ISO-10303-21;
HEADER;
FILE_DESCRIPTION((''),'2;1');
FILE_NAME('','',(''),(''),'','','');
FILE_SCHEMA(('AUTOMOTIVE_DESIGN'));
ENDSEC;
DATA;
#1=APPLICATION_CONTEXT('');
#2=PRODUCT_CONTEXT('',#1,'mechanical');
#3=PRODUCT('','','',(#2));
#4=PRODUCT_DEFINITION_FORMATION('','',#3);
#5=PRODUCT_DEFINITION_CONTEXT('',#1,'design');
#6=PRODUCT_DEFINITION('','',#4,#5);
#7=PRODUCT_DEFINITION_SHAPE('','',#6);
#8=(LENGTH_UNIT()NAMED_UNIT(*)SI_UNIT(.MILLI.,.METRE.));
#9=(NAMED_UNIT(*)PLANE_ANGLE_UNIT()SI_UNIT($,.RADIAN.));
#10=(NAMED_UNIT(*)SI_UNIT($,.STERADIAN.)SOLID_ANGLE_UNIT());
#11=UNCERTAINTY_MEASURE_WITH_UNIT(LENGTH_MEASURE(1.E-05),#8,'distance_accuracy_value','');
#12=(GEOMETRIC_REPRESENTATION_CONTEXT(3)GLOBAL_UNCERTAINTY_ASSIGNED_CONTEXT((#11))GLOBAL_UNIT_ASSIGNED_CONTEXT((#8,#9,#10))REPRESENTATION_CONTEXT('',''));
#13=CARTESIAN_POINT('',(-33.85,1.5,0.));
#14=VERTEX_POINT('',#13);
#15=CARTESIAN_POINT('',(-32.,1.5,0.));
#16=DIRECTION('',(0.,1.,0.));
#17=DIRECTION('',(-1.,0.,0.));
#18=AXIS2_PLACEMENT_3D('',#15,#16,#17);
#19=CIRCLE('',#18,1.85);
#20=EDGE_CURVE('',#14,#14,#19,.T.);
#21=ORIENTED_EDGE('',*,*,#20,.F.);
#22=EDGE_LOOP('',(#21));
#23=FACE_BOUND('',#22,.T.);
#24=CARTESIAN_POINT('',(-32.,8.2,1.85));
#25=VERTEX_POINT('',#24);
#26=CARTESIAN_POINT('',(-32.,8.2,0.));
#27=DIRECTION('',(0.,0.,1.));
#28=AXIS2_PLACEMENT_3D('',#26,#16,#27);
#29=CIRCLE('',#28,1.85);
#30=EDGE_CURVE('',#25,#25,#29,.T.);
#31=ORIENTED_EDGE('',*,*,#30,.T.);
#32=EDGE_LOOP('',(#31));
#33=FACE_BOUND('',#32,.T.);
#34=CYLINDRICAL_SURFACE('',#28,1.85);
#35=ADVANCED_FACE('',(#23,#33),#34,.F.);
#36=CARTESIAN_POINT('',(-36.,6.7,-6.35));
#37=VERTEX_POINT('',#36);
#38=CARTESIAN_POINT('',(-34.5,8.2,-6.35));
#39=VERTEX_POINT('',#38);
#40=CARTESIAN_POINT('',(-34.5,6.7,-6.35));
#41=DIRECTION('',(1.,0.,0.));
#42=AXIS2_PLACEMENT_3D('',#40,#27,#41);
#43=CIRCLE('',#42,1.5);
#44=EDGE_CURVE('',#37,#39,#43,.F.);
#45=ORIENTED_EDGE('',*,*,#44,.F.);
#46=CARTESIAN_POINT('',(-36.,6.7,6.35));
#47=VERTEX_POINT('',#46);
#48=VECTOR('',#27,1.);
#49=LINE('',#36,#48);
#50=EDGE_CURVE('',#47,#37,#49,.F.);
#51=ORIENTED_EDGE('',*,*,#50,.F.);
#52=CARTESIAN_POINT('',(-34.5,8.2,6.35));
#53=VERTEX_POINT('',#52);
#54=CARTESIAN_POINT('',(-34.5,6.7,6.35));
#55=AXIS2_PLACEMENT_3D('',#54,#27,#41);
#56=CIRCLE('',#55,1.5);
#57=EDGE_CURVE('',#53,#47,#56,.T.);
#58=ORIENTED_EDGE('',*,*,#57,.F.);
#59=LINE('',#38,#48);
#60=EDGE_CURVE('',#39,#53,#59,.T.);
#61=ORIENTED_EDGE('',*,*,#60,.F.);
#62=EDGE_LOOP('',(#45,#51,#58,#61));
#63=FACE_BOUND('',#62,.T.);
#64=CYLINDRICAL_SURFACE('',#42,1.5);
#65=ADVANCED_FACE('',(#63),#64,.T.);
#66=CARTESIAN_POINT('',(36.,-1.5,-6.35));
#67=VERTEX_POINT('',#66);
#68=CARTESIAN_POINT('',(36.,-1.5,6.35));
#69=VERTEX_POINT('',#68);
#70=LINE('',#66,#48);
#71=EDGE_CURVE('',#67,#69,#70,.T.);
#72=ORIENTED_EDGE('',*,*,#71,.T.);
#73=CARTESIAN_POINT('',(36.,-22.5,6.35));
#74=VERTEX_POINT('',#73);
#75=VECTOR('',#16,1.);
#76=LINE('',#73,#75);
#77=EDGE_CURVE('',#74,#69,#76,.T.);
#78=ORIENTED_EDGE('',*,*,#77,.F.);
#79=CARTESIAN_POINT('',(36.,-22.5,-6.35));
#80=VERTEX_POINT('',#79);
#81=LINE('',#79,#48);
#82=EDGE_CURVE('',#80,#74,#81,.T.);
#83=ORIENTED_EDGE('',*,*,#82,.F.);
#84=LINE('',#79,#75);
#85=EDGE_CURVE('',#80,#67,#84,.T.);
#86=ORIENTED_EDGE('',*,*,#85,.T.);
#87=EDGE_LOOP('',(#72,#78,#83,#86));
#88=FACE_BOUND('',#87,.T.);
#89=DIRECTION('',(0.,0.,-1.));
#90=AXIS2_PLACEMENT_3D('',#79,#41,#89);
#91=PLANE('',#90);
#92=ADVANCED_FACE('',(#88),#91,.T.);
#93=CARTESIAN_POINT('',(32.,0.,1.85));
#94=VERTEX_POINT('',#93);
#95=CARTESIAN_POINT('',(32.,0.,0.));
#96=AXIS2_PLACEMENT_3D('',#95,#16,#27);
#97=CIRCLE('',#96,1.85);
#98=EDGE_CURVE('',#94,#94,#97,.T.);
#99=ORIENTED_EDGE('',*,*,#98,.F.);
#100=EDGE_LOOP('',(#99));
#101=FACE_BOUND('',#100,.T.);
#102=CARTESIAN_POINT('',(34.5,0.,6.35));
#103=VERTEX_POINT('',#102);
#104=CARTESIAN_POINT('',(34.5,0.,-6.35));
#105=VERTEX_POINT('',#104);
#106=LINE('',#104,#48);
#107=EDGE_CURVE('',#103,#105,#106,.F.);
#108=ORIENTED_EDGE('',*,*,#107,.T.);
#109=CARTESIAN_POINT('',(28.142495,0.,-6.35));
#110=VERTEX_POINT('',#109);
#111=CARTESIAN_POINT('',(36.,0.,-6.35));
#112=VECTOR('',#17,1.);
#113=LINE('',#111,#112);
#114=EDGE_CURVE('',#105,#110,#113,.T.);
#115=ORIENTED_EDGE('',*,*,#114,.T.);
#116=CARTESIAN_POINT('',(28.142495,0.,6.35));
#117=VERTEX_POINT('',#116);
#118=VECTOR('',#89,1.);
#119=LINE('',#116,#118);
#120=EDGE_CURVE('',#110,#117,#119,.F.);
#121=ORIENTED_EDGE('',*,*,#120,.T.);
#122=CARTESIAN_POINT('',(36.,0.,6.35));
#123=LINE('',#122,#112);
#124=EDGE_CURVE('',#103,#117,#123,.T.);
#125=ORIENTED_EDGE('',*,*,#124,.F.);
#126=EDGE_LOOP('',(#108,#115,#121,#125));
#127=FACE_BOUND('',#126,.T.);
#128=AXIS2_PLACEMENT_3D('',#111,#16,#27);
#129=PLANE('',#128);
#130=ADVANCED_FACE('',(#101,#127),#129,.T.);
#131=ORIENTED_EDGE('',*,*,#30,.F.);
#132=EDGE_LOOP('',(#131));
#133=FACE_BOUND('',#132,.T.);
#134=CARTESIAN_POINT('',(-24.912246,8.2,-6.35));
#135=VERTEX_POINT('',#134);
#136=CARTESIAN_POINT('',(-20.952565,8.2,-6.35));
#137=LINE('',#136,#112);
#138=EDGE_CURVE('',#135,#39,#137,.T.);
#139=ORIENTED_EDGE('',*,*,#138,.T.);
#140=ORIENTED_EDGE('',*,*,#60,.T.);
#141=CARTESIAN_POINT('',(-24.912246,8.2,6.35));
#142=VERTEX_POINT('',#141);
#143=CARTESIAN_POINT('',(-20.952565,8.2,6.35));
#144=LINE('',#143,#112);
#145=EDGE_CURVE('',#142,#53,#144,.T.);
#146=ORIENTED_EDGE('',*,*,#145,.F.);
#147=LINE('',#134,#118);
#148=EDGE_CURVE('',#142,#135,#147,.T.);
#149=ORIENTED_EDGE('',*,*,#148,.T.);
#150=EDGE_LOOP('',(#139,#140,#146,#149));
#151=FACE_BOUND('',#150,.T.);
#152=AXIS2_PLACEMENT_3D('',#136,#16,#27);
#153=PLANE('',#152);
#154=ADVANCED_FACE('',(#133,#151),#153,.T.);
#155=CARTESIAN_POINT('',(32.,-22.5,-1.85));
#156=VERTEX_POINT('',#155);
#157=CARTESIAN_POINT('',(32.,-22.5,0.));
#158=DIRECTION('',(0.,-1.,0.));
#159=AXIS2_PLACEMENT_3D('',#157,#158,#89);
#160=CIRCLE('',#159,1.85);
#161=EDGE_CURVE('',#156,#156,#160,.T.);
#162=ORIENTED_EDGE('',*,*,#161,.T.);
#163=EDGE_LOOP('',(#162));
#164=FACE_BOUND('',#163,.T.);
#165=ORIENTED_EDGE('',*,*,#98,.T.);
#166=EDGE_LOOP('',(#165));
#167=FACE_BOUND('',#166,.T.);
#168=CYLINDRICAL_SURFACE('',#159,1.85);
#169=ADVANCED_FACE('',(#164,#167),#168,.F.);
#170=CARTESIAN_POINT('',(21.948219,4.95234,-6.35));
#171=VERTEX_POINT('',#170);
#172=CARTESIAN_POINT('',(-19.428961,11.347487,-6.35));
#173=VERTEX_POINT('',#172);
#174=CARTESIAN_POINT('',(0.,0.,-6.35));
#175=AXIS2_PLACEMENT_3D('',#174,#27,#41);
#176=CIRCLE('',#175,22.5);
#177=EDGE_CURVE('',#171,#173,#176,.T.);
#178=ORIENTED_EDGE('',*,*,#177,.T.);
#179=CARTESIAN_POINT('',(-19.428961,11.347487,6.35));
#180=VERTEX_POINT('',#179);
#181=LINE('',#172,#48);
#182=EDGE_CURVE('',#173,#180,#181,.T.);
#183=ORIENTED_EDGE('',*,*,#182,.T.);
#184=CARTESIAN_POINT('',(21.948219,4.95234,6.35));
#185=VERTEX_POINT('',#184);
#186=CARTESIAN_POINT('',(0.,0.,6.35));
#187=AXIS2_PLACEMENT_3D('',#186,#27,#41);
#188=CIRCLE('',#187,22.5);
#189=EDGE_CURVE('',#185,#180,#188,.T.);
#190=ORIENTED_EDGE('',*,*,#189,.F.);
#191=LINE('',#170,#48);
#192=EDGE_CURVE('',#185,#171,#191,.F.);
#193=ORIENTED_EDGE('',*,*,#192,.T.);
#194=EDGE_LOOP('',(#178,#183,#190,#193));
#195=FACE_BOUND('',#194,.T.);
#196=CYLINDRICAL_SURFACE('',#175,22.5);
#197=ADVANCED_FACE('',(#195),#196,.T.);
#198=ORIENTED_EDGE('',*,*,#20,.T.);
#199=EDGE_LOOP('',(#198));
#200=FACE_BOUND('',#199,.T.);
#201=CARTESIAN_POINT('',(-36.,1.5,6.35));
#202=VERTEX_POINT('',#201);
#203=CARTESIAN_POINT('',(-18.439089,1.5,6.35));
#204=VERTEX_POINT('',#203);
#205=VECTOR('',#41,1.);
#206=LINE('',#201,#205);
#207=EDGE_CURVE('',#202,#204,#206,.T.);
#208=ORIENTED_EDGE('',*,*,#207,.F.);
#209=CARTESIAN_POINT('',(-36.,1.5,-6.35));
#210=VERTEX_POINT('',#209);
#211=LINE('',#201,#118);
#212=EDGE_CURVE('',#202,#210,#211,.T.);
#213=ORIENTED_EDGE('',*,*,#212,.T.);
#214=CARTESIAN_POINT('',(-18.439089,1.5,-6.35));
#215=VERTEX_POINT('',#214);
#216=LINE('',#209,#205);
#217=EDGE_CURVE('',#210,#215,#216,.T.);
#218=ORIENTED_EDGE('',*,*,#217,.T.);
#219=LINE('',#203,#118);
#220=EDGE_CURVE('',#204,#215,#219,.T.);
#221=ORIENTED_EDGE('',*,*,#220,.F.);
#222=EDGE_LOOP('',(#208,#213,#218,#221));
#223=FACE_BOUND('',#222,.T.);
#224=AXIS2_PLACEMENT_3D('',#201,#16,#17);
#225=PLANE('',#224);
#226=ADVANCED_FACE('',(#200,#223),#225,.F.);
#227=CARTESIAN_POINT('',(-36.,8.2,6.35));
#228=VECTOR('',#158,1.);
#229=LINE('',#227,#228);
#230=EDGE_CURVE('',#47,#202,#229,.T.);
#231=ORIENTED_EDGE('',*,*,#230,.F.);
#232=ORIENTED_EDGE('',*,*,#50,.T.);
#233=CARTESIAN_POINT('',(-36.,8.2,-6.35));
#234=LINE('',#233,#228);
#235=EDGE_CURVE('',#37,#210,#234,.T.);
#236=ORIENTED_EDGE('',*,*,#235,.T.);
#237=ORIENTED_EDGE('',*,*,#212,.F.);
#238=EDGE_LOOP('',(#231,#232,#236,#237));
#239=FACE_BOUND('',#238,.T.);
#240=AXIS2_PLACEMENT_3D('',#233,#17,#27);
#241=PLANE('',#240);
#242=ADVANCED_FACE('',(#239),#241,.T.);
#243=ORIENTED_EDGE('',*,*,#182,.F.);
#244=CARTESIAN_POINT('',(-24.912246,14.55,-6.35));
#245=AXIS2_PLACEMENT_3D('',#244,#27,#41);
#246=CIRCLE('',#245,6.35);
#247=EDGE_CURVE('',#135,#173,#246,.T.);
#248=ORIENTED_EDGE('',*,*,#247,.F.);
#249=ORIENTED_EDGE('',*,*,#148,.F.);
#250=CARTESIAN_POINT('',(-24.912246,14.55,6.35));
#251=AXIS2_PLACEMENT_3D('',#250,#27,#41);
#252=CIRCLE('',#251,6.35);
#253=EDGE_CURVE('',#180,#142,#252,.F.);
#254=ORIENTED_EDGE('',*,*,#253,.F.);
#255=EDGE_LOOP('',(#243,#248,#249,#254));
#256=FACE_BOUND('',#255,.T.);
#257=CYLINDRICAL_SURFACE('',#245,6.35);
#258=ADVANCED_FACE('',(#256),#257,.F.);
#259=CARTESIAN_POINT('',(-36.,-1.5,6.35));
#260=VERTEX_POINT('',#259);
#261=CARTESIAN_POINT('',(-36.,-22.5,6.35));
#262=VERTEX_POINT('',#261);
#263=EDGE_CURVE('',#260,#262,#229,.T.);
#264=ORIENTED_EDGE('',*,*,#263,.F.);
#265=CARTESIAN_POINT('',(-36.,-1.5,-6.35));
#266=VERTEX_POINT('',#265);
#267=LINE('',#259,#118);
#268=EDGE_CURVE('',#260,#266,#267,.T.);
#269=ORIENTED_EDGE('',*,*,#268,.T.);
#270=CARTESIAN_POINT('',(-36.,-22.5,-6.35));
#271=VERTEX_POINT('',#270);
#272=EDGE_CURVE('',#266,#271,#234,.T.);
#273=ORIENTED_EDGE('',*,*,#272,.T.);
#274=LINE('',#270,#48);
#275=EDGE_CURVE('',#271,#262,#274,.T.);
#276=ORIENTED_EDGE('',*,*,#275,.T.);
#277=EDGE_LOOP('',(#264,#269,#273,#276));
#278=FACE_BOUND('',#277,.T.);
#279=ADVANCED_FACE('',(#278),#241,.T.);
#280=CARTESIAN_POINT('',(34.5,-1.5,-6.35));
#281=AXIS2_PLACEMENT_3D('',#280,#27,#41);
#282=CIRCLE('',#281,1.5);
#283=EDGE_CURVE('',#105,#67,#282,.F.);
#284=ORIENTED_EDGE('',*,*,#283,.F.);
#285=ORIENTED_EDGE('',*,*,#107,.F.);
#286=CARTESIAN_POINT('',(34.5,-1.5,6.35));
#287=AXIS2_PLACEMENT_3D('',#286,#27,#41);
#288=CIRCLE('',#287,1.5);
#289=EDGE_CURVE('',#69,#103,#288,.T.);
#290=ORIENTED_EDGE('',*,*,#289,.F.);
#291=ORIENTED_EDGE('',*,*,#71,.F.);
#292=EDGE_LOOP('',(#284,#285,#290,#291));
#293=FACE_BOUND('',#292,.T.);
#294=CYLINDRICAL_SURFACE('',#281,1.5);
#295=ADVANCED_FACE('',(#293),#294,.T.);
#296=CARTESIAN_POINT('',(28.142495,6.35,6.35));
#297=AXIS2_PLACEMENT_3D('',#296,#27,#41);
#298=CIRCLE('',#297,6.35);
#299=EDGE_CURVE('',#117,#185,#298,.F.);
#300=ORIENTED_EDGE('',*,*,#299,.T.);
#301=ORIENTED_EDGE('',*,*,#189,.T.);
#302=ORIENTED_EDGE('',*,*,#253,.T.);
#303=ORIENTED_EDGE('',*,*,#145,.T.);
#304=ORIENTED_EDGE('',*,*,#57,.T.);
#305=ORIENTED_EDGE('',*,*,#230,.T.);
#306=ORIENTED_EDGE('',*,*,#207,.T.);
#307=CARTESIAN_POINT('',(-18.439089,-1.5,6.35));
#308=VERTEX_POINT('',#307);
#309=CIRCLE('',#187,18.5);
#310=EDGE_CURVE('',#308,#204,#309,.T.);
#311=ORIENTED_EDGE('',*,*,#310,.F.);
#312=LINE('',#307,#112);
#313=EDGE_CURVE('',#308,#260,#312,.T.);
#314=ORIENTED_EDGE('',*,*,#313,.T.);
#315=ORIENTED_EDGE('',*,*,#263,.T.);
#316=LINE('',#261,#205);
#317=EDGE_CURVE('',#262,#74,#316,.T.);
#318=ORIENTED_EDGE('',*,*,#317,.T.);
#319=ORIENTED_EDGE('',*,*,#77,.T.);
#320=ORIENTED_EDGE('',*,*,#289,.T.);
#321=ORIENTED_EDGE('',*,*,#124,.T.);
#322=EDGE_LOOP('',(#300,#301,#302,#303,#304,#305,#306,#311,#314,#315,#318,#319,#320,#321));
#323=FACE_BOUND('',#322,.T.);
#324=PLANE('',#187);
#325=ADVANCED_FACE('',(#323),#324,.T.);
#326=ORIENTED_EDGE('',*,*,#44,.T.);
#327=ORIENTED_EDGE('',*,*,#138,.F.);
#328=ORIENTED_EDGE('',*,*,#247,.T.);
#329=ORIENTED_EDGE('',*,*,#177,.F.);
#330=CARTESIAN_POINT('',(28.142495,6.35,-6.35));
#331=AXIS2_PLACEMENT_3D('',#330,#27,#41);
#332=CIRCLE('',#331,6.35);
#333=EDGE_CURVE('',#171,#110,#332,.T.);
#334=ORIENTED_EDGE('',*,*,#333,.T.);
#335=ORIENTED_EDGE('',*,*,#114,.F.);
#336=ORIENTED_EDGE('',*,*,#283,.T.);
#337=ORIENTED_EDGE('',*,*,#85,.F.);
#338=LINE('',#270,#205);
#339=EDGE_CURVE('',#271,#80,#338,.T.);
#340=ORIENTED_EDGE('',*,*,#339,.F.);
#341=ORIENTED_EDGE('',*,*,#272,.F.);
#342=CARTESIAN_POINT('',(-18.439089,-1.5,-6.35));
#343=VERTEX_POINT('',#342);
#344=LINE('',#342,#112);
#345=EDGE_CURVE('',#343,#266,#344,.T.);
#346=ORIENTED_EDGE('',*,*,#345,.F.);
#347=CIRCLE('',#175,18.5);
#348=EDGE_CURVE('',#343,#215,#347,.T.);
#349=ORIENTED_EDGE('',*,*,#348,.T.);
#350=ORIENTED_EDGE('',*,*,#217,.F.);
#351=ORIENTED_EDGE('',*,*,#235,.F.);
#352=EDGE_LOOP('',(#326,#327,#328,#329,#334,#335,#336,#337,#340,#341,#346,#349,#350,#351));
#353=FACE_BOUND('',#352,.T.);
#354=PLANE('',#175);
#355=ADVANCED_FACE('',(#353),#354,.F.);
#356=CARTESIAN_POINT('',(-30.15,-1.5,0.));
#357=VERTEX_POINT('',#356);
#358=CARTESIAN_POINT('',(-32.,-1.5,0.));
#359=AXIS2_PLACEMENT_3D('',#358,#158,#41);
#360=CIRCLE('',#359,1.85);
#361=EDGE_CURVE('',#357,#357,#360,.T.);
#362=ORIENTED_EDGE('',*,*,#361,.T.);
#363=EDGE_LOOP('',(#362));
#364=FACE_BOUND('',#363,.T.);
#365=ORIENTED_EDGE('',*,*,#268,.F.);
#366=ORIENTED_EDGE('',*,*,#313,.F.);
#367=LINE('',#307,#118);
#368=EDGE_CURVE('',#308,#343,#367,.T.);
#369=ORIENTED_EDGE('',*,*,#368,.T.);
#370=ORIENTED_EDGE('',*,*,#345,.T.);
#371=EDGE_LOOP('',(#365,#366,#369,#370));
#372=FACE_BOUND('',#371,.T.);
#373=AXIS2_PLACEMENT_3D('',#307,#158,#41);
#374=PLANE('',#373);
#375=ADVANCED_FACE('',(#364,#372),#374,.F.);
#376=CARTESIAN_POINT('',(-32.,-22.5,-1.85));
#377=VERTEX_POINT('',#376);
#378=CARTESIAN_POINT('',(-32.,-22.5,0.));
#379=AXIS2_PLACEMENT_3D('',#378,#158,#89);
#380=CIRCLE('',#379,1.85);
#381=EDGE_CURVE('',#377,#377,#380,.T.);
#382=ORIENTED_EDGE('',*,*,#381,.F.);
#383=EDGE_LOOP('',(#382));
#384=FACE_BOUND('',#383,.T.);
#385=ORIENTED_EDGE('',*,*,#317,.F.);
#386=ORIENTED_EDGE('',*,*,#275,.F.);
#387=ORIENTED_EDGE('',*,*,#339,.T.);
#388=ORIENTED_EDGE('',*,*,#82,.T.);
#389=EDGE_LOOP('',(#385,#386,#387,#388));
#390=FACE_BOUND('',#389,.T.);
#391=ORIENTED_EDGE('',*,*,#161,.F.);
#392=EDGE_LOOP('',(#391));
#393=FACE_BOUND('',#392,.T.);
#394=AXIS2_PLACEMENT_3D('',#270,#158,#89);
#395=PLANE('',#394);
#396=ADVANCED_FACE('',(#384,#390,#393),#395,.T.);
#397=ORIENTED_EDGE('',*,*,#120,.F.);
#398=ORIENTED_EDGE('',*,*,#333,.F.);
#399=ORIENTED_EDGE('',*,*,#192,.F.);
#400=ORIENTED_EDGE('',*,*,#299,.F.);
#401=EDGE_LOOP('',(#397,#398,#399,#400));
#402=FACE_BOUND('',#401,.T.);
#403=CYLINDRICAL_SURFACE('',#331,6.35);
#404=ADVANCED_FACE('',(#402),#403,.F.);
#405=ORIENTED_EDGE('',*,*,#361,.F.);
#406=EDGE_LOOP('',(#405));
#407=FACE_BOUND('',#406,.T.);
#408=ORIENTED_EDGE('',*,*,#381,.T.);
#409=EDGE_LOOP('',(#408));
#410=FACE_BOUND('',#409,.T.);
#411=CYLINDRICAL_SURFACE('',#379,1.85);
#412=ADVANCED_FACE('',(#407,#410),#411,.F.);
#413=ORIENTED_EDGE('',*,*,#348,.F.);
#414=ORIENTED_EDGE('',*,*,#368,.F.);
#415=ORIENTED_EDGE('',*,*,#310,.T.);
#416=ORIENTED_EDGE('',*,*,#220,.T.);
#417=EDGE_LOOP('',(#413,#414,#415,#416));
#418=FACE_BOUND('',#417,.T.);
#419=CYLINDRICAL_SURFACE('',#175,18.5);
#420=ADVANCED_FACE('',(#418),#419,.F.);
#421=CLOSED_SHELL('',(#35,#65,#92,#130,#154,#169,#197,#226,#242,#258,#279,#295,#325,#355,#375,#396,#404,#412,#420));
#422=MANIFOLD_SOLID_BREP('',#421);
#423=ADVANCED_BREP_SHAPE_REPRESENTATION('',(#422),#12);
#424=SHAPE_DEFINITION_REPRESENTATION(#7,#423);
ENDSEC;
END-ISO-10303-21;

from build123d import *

# Parameters (mm, degrees)
BOSS_EXTRUDE1_DEPTH            = 12.7
CUT_EXTRUDE1_DEPTH             = 13.7
SKETCH3_W                      = 18.5
SKETCH3_H                      = 12.7
F_3_7_3_7_DIAMETER_HOLE1_D     = 3.7
F_3_7_3_7_DIAMETER_HOLE1_DEPTH = 6.7
F_3_7_3_7_DIAMETER_HOLE2_D     = 3.7
F_3_7_3_7_DIAMETER_HOLE2_DEPTH = 45
F_3_7_3_7_DIAMETER_HOLE3_D     = 3.7
F_3_7_3_7_DIAMETER_HOLE3_DEPTH = 45
FILLET1_R                      = 1.5
FILLET2_R                      = 6.35


with BuildPart() as part:
    # Sketch1 → Boss-Extrude1 (new body)
    with BuildSketch(Plane.XY.offset(6.35)):
        with BuildLine():
            Line((-20.952565475, 8.2), (-36, 8.2))
            Line((-36, 8.2), (-36, -22.5))
            Line((-36, -22.5), (36, -22.5))
            Line((36, -22.5), (36, 0))
            Line((36, 0), (22.5, 0))
            ThreePointArc((22.5, 0), (4.172366044, 22.109757158), (-20.952565475, 8.2))
        make_face()
    extrude(amount=-BOSS_EXTRUDE1_DEPTH)

    # Sketch2 → Cut-Extrude1 (cut, through all)
    with BuildSketch(Plane(origin=(0, 0, -6.35), x_dir=(-1, 0, 0), z_dir=(0, 0, -1))):
        with BuildLine():
            Line((36, 1.5), (18.439088915, 1.5))
            ThreePointArc((18.439088915, 1.5), (18.5, 0), (18.439088915, -1.5))
            Line((18.439088915, -1.5), (36, -1.5))
            Line((36, -1.5), (36, 1.5))
        make_face()
    extrude(amount=-CUT_EXTRUDE1_DEPTH, mode=Mode.SUBTRACT)

    # Sketch3 → Cut-Revolve1 (revolve, cut)
    with BuildSketch(Plane(origin=(0, 0, 0), x_dir=(1, 0, 0), z_dir=(0, 1, 0))):
        with Locations((9.25, 0)):
            Rectangle(SKETCH3_W, SKETCH3_H)
    revolve(axis=Axis((0, 0, -6.35), (0, 0, 1)), mode=Mode.SUBTRACT)

    # Ø3.7 (3.7) Diameter Hole1
    with Locations(Plane(origin=(0, 8.2, 0), x_dir=(1, 0, 0), z_dir=(0, 1, 0))):
        with Locations((-32, 0)):
            Hole(F_3_7_3_7_DIAMETER_HOLE1_D / 2, depth=F_3_7_3_7_DIAMETER_HOLE1_DEPTH)

    # Ø3.7 (3.7) Diameter Hole2
    with Locations(Plane(origin=(0, -22.5, 0), x_dir=(-1, 0, 0), z_dir=(0, -1, 0))):
        with Locations((32, 0)):
            Hole(F_3_7_3_7_DIAMETER_HOLE2_D / 2, depth=F_3_7_3_7_DIAMETER_HOLE2_DEPTH)

    # Ø3.7 (3.7) Diameter Hole3
    with Locations(Plane(origin=(0, -22.5, 0), x_dir=(-1, 0, 0), z_dir=(0, -1, 0))):
        with Locations((-32, 0)):
            Hole(F_3_7_3_7_DIAMETER_HOLE3_D / 2, depth=F_3_7_3_7_DIAMETER_HOLE3_DEPTH)

    # Fillet1
    fillet1_edges = [part.edges().sort_by_distance(p)[0] for p in [
        (36, 0, 0),
        (-36, 8.2, 0),
    ]]
    fillet(fillet1_edges, radius=FILLET1_R)

    # Fillet2
    fillet2_edges = [part.edges().sort_by_distance(p)[0] for p in [
        (22.5, 0, 0),
        (-20.952565475, 8.2, 0),
    ]]
    fillet(fillet2_edges, radius=FILLET2_R)


solid = part.part
